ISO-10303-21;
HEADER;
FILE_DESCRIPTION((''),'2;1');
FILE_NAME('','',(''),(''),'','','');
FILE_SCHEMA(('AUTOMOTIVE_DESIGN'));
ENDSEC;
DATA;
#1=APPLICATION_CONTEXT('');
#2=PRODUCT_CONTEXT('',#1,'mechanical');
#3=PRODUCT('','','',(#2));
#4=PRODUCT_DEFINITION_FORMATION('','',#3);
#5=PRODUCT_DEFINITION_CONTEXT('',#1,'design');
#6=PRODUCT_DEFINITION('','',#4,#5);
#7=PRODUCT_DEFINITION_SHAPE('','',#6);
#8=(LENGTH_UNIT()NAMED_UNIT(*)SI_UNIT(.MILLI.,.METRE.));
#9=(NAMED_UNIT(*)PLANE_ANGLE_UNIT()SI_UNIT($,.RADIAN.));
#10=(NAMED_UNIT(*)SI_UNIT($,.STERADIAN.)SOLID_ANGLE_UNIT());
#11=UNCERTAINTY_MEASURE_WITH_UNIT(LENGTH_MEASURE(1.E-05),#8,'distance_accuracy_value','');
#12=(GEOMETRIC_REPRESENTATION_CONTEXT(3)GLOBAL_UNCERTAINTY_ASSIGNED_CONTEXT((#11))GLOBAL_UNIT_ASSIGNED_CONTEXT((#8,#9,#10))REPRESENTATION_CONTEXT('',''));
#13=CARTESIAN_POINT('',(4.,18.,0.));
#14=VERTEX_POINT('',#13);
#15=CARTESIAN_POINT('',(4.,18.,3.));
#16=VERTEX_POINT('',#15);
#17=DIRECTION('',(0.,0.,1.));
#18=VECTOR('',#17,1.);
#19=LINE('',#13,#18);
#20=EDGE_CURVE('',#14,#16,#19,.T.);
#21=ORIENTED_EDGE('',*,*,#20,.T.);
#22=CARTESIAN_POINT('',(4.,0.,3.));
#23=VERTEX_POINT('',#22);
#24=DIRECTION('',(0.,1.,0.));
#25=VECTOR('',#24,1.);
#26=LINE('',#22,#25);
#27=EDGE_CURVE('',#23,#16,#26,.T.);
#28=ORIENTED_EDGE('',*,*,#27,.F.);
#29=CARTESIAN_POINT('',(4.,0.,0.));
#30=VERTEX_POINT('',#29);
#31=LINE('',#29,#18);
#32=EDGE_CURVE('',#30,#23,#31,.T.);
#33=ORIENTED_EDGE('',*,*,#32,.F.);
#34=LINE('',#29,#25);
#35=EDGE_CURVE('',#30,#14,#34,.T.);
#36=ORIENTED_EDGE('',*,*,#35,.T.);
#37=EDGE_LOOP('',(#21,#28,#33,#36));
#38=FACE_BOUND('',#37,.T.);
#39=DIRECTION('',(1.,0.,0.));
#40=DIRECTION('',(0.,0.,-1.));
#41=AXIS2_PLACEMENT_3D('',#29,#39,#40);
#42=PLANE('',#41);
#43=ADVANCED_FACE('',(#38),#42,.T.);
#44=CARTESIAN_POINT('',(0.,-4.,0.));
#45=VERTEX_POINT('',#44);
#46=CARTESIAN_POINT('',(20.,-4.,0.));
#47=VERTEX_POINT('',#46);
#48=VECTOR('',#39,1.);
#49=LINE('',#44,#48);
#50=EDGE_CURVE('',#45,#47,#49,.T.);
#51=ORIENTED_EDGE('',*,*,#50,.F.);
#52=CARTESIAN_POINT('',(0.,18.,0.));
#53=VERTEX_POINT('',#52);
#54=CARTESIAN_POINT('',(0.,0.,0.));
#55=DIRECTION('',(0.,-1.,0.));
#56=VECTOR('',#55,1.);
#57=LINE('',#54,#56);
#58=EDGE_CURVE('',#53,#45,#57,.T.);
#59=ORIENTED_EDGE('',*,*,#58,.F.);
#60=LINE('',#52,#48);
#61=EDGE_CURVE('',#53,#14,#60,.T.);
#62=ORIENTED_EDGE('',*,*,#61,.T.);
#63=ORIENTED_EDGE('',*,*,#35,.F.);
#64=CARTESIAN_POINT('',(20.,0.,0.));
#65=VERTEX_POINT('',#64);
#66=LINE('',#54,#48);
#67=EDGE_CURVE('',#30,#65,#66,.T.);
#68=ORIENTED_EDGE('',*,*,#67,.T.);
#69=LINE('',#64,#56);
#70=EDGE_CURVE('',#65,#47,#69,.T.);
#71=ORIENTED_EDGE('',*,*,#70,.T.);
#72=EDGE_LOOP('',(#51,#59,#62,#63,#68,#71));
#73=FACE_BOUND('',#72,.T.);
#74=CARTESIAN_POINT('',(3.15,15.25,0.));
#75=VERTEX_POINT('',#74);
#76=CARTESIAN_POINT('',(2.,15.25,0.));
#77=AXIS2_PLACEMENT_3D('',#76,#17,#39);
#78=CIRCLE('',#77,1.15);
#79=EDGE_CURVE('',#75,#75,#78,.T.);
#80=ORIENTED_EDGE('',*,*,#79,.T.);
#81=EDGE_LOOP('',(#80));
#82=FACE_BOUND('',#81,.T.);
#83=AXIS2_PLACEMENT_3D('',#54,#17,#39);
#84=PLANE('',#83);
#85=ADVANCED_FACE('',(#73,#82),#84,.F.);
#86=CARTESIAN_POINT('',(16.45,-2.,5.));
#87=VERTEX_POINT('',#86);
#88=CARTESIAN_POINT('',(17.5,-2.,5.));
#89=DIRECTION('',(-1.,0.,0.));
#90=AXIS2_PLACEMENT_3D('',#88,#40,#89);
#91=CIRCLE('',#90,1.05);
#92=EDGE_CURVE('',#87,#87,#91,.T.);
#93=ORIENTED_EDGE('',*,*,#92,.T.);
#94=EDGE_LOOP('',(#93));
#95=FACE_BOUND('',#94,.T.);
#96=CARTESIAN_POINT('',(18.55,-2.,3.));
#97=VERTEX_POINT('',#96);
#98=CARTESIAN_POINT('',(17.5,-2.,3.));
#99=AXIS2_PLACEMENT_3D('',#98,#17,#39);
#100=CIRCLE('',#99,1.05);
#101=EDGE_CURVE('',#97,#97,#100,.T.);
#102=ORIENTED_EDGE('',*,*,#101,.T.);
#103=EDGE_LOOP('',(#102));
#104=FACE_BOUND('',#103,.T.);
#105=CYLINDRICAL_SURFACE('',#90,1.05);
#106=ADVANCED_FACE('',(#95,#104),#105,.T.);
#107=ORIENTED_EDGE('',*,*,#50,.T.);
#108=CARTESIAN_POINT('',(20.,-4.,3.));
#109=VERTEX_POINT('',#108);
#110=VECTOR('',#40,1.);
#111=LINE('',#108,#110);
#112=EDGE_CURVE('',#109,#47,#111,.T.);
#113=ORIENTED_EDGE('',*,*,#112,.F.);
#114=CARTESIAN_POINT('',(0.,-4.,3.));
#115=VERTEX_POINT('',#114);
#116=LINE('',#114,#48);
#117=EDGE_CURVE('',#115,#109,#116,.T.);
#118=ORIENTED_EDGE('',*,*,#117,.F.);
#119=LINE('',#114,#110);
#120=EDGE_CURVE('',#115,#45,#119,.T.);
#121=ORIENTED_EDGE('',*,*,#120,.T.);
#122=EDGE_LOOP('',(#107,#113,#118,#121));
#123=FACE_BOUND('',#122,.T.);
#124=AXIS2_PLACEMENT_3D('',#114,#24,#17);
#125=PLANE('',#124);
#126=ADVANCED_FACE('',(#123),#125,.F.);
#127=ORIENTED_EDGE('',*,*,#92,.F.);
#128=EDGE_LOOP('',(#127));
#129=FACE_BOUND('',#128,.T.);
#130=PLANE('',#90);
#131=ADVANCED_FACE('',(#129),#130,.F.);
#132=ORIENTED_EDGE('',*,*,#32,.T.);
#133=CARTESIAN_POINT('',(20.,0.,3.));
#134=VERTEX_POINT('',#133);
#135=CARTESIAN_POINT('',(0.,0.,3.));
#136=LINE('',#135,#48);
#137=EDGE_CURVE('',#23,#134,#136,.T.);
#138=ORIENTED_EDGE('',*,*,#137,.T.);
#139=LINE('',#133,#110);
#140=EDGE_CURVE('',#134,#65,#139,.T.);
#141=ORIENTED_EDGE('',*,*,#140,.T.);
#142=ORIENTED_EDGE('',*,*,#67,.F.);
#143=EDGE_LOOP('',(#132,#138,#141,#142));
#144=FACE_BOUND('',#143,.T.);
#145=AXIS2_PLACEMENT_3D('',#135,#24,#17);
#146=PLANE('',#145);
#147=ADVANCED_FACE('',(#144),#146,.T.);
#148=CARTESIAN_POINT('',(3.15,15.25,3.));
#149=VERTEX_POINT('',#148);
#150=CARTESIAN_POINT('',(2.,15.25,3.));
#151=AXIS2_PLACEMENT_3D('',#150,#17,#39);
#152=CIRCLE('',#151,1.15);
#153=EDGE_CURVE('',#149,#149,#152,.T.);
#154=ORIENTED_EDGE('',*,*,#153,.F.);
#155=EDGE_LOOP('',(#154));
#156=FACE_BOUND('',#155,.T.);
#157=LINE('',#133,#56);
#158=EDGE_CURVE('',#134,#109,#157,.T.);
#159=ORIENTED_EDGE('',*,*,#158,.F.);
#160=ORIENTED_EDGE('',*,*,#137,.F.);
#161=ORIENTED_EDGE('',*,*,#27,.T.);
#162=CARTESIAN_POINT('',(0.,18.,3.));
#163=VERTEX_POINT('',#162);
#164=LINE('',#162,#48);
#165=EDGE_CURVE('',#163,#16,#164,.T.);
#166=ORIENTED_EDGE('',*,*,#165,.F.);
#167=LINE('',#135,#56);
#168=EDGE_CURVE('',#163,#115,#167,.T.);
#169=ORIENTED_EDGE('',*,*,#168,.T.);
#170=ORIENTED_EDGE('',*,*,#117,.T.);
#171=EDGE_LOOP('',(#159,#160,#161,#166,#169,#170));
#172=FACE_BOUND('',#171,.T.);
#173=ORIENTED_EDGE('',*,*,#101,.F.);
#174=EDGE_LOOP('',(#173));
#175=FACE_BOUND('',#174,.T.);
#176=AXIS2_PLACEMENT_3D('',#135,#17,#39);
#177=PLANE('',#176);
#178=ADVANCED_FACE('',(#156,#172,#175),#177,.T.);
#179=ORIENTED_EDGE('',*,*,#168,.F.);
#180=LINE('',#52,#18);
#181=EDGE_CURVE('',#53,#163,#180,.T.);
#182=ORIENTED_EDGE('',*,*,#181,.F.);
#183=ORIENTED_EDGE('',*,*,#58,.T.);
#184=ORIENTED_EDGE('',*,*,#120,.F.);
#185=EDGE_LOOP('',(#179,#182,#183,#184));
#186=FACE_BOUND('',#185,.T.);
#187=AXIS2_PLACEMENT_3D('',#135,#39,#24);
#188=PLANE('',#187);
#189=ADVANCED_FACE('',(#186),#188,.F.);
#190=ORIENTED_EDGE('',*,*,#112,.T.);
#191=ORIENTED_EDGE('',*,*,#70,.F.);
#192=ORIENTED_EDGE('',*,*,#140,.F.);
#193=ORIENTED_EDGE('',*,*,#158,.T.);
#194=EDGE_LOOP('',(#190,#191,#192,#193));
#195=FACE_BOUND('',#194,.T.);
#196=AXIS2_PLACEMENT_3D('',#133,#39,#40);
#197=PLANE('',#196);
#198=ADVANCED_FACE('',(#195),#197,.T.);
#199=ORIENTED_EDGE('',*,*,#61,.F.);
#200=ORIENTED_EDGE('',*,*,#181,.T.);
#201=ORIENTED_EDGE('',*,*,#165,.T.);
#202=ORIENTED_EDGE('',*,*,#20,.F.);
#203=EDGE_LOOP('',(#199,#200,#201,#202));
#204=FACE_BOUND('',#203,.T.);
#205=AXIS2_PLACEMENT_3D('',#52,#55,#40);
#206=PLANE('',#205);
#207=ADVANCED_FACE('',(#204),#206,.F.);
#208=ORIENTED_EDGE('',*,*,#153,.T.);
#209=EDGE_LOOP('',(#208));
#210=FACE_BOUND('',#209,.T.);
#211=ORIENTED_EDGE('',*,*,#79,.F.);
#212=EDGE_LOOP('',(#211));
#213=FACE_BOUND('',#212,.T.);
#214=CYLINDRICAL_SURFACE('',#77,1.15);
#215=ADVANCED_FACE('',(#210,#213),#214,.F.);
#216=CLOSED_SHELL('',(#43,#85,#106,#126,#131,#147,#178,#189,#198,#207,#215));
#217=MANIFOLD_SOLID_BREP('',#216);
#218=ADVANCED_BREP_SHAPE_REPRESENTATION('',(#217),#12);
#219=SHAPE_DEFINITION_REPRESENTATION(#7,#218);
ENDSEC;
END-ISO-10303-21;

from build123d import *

# Parameters (mm, degrees)
CROQUIS1_W              = 20
CROQUIS1_H              = 4
SALIENTE_EXTRUIR1_DEPTH = 3
CROQUIS5_W              = 4
CROQUIS5_H              = 18
SALIENTE_EXTRUIR2_DEPTH = 3
CROQUIS5_5_R            = 1.15
CORTAR_EXTRUIR3_DEPTH   = 28.073972741
CROQUIS3_R              = 1.05
SALIENTE_EXTRUIR4_DEPTH = 5


with BuildPart() as part:
    # Croquis1 → Saliente-Extruir1 (new body)
    with BuildSketch(Plane.XY):
        with Locations((10, -2)):
            Rectangle(CROQUIS1_W, CROQUIS1_H)
    extrude(amount=SALIENTE_EXTRUIR1_DEPTH)

    # Croquis5 → Saliente-Extruir2 (add)
    with BuildSketch(Plane.XY.offset(3)):
        with Locations((2, 9)):
            Rectangle(CROQUIS5_W, CROQUIS5_H)
    extrude(amount=-SALIENTE_EXTRUIR2_DEPTH)

    # Croquis5<5> → Cortar-Extruir3 (cut, through all)
    with BuildSketch(Plane.XY.offset(3)):
        with Locations((2, 15.25)):
            Circle(CROQUIS5_5_R)
    extrude(amount=-CORTAR_EXTRUIR3_DEPTH, mode=Mode.SUBTRACT)

    # Croquis3 → Saliente-Extruir4 (add)
    with BuildSketch(Plane(origin=(0, 0, 0), x_dir=(-1, 0, 0), z_dir=(0, 0, -1))):
        with Locations((-17.5, -2)):
            Circle(CROQUIS3_R)
    extrude(amount=-SALIENTE_EXTRUIR4_DEPTH)


solid = part.part
